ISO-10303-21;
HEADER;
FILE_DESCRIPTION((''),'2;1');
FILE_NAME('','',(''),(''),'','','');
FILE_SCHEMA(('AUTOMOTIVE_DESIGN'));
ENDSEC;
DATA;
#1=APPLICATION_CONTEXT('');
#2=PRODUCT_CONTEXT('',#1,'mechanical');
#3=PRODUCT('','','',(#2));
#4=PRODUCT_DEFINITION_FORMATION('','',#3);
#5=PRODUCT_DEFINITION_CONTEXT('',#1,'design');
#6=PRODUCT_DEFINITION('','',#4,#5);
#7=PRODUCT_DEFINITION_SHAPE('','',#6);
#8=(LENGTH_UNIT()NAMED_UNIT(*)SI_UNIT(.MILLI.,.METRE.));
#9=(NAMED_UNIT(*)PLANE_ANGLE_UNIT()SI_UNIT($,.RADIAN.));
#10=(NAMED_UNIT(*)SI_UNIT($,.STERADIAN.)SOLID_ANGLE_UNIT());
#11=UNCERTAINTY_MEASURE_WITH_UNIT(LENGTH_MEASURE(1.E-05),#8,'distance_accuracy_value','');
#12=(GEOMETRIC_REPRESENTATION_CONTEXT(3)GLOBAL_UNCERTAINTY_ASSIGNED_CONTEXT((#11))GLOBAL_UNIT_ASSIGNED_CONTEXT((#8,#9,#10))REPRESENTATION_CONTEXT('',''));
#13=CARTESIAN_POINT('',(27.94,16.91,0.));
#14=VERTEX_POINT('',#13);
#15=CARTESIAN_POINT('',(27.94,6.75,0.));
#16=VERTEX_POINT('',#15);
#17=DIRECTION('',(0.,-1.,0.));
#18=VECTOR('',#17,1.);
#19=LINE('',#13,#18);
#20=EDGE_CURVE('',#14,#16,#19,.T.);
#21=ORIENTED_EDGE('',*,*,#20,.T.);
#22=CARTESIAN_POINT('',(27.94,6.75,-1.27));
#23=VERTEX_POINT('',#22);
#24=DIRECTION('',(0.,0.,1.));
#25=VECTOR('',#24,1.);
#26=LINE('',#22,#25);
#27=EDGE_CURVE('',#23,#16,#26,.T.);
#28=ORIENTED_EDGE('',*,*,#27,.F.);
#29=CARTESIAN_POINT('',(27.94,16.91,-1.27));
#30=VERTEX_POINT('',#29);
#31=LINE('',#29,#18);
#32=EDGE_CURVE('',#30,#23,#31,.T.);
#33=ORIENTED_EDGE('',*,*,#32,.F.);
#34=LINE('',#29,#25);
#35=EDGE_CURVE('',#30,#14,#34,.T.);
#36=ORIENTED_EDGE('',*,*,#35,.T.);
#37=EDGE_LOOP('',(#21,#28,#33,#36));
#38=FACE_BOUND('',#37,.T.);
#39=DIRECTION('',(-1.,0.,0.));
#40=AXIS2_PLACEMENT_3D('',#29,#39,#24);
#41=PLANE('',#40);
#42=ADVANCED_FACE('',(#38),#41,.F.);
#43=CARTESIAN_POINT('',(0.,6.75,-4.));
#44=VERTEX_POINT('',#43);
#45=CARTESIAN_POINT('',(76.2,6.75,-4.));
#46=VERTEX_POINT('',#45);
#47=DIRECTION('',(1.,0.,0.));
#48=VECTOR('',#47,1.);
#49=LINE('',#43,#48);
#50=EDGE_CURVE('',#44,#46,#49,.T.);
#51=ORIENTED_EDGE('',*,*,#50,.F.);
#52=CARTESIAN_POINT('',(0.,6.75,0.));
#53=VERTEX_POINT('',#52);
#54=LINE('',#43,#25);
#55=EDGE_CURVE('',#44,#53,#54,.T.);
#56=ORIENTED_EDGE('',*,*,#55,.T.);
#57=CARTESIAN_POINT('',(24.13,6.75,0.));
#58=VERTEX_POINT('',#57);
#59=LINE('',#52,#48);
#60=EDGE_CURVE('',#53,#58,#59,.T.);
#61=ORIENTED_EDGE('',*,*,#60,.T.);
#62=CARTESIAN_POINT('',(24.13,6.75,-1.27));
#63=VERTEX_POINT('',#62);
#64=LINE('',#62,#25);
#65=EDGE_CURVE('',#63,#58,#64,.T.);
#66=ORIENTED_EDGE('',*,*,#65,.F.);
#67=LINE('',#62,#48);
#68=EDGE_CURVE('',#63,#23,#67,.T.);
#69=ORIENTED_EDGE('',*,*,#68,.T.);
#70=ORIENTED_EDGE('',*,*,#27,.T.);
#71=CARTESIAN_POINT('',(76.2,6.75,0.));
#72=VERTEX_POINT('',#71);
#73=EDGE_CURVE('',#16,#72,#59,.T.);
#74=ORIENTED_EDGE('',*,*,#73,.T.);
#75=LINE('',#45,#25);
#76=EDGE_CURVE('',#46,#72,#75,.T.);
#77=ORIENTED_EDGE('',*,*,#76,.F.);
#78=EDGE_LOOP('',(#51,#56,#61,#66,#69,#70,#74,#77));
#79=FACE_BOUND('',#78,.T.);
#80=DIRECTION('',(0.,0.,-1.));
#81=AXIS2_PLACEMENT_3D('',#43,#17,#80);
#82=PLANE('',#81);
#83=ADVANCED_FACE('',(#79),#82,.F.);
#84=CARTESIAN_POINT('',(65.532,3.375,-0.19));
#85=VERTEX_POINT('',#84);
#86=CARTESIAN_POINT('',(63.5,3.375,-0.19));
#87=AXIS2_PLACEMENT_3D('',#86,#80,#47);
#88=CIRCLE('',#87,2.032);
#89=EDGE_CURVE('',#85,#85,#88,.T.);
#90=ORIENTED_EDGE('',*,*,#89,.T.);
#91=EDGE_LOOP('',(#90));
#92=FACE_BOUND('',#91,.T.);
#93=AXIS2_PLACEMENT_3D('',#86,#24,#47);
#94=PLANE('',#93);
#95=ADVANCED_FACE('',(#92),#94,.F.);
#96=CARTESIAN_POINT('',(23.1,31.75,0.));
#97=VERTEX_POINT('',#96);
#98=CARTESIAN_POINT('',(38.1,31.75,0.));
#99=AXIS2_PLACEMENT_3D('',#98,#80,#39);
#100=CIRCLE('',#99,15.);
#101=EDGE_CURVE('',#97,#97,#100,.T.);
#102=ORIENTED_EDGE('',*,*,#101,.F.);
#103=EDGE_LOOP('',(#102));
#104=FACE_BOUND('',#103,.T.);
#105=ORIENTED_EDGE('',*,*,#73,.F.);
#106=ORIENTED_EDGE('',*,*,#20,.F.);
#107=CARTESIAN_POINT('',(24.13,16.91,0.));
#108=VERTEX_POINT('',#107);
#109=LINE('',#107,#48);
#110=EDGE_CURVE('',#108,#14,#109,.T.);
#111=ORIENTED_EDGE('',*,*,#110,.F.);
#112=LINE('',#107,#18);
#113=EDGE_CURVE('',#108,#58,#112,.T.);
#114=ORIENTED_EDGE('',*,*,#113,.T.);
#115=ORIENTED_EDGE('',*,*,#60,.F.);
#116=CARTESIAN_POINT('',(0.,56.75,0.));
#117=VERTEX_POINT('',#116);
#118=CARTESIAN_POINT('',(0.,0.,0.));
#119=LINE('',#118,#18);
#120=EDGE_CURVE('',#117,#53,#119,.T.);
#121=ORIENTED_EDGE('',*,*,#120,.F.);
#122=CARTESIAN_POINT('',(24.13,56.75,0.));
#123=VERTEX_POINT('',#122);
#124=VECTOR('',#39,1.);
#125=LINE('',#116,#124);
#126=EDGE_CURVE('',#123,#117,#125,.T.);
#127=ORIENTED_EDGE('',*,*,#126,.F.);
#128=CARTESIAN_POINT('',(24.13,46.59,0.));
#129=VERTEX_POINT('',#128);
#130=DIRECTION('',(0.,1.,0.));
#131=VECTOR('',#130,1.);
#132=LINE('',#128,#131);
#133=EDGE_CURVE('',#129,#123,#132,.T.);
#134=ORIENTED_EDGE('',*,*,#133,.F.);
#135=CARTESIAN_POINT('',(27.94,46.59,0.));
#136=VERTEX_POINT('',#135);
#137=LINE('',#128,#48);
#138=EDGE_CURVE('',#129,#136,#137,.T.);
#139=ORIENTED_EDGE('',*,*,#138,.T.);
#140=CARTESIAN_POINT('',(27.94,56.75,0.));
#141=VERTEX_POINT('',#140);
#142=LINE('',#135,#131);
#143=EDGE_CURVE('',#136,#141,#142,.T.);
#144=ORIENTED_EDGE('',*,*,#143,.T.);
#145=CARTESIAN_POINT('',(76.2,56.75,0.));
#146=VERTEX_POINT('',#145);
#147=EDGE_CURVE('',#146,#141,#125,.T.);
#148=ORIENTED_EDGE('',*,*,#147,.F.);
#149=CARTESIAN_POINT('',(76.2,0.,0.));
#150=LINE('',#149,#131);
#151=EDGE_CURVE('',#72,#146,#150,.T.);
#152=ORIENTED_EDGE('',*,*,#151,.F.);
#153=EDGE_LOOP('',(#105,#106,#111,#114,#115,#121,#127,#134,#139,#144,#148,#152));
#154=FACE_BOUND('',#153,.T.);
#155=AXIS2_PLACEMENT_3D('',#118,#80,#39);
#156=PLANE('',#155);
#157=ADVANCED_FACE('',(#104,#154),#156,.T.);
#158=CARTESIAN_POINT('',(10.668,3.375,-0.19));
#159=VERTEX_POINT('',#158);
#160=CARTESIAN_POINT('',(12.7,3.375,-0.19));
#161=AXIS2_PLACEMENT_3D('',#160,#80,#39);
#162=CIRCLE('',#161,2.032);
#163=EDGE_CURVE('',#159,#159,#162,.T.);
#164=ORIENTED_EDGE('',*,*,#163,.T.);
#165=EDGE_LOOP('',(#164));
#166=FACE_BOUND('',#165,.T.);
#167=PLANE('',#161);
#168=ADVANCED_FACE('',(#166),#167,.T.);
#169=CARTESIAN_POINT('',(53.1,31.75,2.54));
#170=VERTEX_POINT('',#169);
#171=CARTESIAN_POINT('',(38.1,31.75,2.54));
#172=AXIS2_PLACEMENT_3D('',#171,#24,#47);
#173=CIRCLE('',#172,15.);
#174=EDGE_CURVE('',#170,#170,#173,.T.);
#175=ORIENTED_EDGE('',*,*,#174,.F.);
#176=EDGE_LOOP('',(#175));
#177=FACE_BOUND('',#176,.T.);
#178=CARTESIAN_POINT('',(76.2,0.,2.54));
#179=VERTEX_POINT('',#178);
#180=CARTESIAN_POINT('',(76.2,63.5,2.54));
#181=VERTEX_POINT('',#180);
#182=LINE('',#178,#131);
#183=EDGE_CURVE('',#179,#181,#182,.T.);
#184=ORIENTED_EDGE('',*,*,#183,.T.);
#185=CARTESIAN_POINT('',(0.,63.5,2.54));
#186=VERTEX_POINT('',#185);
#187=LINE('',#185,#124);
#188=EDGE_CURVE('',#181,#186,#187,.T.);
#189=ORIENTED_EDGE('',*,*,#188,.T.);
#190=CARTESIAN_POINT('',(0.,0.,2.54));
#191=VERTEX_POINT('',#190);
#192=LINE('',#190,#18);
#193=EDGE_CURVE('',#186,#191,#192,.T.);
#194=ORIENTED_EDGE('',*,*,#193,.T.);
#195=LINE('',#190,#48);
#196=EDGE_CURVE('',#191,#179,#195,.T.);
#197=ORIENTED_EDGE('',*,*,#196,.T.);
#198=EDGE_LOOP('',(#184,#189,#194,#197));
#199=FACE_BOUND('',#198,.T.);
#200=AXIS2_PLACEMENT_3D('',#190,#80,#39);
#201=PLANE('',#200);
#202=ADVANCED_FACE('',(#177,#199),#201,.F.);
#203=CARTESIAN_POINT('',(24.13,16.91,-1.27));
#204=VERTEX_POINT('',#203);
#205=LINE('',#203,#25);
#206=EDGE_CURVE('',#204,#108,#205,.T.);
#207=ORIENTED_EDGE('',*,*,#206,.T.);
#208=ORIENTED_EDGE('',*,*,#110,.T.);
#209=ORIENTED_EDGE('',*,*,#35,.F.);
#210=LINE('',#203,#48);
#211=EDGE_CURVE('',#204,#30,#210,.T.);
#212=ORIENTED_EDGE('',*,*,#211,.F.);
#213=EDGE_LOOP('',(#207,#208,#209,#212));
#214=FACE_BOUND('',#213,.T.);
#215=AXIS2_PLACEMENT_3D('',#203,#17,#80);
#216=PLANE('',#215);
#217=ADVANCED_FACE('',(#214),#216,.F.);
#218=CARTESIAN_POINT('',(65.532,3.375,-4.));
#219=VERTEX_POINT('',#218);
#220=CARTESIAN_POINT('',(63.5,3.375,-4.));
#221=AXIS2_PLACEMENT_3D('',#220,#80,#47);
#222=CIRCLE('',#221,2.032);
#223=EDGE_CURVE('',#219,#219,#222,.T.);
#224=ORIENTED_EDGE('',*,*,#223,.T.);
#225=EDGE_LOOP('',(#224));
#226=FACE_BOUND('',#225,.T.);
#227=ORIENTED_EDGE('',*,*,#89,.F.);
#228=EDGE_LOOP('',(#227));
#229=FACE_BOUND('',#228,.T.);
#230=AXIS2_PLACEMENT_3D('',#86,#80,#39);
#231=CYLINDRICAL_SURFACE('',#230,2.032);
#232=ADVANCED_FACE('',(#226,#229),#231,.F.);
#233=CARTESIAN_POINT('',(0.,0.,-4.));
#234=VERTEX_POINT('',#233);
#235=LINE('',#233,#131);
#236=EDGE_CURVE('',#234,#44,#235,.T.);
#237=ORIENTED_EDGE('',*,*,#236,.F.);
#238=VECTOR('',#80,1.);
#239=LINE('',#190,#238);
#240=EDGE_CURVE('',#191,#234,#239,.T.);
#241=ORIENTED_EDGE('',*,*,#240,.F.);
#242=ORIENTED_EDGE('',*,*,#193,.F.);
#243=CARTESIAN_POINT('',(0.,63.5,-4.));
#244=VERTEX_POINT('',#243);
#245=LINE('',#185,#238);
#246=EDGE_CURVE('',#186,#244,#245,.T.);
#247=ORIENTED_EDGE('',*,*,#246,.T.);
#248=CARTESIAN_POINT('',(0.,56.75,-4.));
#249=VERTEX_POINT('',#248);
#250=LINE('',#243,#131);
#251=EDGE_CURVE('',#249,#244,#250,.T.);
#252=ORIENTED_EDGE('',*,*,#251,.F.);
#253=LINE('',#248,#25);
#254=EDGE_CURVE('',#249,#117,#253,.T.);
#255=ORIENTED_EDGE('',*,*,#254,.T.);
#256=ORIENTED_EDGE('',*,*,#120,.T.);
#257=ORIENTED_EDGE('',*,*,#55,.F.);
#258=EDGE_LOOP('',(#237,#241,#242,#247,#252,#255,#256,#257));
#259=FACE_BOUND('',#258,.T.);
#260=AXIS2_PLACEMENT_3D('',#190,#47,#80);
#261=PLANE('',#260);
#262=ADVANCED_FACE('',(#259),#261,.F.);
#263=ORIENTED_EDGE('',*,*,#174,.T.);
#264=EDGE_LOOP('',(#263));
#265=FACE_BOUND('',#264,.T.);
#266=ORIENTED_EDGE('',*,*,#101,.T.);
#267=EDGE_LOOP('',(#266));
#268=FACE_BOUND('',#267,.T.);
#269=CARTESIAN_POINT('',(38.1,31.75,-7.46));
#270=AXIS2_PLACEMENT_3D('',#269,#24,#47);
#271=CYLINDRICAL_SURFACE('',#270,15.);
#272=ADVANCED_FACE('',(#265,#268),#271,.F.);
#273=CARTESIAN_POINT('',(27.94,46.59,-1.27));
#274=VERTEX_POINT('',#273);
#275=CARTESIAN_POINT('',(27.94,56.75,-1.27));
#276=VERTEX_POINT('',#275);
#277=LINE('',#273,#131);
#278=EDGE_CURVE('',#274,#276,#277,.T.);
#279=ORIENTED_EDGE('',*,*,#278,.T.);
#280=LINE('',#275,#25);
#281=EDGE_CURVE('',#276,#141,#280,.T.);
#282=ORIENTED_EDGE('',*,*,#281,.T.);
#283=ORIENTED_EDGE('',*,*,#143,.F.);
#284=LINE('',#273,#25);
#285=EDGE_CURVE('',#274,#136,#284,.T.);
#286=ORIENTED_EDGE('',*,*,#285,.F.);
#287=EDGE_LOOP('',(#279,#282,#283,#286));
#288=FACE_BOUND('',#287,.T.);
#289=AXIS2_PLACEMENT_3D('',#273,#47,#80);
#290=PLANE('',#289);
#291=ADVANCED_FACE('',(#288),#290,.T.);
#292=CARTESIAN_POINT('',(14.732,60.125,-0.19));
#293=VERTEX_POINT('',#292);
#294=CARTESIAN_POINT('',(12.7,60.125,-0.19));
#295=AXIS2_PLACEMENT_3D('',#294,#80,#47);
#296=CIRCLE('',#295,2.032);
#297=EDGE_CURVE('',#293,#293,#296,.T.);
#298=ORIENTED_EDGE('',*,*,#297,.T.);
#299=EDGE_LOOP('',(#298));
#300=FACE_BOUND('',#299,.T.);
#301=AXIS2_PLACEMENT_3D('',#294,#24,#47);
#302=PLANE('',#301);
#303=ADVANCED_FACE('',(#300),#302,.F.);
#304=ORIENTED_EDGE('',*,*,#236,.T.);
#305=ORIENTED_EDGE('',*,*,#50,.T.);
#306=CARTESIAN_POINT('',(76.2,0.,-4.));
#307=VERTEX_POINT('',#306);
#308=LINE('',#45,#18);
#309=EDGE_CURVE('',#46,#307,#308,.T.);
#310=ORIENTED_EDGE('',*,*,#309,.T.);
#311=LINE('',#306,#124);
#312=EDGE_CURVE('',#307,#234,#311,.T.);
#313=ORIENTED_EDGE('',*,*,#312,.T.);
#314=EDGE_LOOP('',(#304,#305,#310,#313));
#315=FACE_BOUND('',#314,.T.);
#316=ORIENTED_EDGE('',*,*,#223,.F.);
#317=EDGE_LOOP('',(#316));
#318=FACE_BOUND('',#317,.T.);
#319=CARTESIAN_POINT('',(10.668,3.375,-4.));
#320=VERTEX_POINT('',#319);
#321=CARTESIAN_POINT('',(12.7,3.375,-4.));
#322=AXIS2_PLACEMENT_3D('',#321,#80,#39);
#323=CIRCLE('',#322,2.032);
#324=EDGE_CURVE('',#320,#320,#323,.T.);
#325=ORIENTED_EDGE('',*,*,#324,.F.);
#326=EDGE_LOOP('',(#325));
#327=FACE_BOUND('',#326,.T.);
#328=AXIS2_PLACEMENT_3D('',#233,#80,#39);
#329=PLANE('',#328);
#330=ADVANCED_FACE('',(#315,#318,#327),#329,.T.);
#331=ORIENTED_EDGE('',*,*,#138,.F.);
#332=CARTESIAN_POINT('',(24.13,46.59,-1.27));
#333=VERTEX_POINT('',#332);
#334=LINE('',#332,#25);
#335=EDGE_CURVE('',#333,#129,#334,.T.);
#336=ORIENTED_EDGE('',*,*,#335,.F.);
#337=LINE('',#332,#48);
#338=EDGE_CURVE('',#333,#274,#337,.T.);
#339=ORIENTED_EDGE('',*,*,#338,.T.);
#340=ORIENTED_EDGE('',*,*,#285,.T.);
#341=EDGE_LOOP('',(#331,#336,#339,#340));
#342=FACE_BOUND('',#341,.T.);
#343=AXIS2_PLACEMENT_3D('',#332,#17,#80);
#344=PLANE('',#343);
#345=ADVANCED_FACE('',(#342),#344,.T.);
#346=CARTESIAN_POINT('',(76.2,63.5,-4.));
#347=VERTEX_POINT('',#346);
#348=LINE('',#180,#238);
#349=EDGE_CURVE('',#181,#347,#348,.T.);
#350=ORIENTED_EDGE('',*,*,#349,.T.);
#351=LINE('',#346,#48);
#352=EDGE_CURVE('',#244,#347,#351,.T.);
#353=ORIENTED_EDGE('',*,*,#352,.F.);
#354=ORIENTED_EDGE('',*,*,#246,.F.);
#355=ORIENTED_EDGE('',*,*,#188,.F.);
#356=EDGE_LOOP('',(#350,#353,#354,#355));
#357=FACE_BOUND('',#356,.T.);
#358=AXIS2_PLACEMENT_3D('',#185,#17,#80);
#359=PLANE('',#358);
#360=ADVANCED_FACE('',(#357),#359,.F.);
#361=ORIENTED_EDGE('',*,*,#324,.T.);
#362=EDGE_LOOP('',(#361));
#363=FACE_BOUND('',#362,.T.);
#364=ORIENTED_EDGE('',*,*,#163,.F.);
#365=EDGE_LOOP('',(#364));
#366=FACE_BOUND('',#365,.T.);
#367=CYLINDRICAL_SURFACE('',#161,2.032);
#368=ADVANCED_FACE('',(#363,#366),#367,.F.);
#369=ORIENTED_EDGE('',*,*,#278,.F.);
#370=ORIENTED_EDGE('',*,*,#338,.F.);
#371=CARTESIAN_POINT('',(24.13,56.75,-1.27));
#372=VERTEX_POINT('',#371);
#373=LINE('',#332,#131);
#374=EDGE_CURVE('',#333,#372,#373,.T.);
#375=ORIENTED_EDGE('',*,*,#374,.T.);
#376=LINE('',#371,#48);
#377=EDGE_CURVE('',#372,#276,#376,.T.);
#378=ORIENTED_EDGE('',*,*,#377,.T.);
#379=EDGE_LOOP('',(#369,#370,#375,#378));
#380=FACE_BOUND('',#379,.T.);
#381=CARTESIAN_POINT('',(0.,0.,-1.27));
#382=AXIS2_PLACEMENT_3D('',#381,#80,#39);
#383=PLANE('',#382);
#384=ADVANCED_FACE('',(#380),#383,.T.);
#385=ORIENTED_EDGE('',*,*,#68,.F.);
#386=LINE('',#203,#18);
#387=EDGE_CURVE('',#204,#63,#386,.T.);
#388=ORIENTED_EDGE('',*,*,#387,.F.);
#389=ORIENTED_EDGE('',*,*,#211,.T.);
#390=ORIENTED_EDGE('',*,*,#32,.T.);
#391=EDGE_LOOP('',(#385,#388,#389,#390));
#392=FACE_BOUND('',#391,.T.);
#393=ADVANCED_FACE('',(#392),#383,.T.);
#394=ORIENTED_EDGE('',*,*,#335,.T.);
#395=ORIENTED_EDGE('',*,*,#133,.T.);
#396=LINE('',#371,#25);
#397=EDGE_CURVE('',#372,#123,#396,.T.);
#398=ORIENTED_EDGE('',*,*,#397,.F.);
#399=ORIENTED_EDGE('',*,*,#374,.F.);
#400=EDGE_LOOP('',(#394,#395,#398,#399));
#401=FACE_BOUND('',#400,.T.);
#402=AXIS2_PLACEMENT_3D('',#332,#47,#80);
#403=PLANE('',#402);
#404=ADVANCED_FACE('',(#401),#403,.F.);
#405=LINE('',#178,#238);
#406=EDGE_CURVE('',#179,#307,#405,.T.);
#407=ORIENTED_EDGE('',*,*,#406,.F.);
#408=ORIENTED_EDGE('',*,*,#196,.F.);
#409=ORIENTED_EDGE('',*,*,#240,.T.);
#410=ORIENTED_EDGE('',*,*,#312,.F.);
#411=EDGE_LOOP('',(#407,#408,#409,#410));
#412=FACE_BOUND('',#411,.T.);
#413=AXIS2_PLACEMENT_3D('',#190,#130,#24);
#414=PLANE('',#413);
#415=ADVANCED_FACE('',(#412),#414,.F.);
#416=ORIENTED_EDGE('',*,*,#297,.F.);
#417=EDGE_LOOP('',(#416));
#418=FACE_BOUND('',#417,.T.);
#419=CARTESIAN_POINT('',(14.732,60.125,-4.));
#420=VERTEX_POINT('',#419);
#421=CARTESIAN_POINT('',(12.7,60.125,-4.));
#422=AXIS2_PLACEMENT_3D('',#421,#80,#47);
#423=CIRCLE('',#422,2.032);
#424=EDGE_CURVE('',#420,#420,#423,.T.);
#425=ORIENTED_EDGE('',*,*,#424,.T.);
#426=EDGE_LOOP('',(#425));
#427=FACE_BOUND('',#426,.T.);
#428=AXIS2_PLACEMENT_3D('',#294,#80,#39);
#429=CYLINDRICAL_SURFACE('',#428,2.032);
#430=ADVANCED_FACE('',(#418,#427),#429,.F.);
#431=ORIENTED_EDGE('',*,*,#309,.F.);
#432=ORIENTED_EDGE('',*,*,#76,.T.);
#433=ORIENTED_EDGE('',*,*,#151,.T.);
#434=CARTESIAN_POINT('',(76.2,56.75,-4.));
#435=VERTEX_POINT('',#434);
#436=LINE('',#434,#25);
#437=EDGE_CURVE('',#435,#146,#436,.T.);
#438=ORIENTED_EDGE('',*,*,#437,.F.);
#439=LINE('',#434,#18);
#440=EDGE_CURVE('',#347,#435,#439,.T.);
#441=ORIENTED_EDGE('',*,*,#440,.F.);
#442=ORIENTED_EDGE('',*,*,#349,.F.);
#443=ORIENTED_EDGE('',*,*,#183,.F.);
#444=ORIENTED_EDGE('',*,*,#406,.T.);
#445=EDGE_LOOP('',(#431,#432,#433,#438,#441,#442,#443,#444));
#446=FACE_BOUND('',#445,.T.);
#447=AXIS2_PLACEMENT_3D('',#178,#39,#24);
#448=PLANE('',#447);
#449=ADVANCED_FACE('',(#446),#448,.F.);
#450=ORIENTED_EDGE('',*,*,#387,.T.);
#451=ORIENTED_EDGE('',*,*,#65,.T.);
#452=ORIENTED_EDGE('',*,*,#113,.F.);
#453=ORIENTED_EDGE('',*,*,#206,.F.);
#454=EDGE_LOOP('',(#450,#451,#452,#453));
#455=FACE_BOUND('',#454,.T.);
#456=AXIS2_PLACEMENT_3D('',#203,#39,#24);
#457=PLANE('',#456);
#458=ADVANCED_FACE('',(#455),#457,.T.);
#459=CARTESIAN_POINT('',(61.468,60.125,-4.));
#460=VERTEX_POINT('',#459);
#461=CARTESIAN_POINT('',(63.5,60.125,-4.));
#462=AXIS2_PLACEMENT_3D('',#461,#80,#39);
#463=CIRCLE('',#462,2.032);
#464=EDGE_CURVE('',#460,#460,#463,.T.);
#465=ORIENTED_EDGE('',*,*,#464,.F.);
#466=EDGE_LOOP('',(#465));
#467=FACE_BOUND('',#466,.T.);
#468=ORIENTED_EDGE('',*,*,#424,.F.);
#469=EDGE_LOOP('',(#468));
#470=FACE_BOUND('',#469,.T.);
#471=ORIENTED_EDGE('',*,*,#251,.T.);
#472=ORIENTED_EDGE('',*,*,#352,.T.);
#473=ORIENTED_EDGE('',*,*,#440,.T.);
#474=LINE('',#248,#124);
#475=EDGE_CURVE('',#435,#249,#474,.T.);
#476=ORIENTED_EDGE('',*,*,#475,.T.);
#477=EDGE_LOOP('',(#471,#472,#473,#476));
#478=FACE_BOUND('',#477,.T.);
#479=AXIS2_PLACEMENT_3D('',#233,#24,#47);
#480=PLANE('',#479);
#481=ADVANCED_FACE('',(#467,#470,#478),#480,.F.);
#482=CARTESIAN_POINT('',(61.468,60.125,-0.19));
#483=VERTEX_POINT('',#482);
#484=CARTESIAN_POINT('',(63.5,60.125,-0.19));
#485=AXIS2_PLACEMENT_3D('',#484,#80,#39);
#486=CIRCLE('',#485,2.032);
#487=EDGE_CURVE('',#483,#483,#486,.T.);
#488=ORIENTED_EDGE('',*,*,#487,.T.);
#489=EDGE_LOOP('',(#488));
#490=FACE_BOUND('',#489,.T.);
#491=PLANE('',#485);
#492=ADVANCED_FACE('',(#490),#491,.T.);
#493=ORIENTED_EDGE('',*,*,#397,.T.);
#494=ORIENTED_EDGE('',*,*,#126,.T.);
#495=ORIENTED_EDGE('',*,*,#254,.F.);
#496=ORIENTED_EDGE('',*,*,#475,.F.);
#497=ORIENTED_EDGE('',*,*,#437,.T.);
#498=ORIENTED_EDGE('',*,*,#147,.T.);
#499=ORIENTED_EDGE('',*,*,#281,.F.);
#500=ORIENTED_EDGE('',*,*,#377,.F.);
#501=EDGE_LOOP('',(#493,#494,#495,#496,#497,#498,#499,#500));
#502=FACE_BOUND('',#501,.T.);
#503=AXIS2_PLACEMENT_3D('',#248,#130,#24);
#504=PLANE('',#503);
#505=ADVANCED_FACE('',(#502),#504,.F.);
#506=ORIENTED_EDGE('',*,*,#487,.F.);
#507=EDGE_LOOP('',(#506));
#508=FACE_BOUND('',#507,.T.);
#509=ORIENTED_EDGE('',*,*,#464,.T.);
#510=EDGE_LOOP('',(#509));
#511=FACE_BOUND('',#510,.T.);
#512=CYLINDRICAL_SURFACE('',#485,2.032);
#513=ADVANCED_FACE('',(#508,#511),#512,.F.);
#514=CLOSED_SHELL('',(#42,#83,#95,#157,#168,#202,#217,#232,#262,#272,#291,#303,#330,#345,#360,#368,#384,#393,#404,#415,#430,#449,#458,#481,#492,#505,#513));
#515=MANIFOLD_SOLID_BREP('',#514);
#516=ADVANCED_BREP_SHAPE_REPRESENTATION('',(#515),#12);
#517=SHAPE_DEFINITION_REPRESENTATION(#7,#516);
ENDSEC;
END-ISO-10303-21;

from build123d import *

# Parameters (mm, degrees)
SKETCH1_W           = 76.2
SKETCH1_H           = 63.5
BOSS_EXTRUDE1_DEPTH = 2.54
SKETCH2_W           = 76.2
SKETCH2_H           = 6.75
BOSS_EXTRUDE2_DEPTH = 4
SKETCH3_R           = 2.032
CUT_EXTRUDE1_DEPTH  = 3.81
SKETCH4_R           = 15
CUT_EXTRUDE2_DEPTH  = 10
SKETCH5_W           = 3.81
SKETCH5_H           = 10.16
BOSS_EXTRUDE3_DEPTH = 1.27


with BuildPart() as part:
    # Sketch1 → Boss-Extrude1 (new body)
    with BuildSketch(Plane.XY):
        with Locations((38.1, 31.75)):
            Rectangle(SKETCH1_W, SKETCH1_H)
    extrude(amount=BOSS_EXTRUDE1_DEPTH)

    # Sketch2 → Boss-Extrude2 (add)
    with BuildSketch(Plane(origin=(0, 0, 0), x_dir=(-1, 0, 0), z_dir=(0, 0, -1))):
        with Locations((-38.1, 60.125)):
            Rectangle(SKETCH2_W, SKETCH2_H)
        with Locations((-38.1, 3.375)):
            Rectangle(SKETCH2_W, SKETCH2_H)
    extrude(amount=BOSS_EXTRUDE2_DEPTH)

    # Sketch3 → Cut-Extrude1 (cut)
    with BuildSketch(Plane(origin=(0, 0, -4), x_dir=(-1, 0, 0), z_dir=(0, 0, -1))):
        with Locations((-63.5, 60.125)):
            Circle(SKETCH3_R)
        with Locations((-63.5, 3.375)):
            Circle(SKETCH3_R)
        with Locations((-12.7, 3.375)):
            Circle(SKETCH3_R)
        with Locations((-12.7, 60.125)):
            Circle(SKETCH3_R)
    extrude(amount=-CUT_EXTRUDE1_DEPTH, mode=Mode.SUBTRACT)

    # Sketch4 → Cut-Extrude2 (cut)
    with BuildSketch(Plane.XY.offset(2.54)):
        with Locations((38.1, 31.75)):
            Circle(SKETCH4_R)
    extrude(amount=-CUT_EXTRUDE2_DEPTH, mode=Mode.SUBTRACT)

    # Sketch5 → Boss-Extrude3 (add)
    with BuildSketch(Plane(origin=(0, 0, 0), x_dir=(-1, 0, 0), z_dir=(0, 0, -1))):
        with Locations((-26.035, 51.67)):
            Rectangle(SKETCH5_W, SKETCH5_H)
        with Locations((-26.035, 11.83)):
            Rectangle(SKETCH5_W, SKETCH5_H)
    extrude(amount=BOSS_EXTRUDE3_DEPTH)


solid = part.part
